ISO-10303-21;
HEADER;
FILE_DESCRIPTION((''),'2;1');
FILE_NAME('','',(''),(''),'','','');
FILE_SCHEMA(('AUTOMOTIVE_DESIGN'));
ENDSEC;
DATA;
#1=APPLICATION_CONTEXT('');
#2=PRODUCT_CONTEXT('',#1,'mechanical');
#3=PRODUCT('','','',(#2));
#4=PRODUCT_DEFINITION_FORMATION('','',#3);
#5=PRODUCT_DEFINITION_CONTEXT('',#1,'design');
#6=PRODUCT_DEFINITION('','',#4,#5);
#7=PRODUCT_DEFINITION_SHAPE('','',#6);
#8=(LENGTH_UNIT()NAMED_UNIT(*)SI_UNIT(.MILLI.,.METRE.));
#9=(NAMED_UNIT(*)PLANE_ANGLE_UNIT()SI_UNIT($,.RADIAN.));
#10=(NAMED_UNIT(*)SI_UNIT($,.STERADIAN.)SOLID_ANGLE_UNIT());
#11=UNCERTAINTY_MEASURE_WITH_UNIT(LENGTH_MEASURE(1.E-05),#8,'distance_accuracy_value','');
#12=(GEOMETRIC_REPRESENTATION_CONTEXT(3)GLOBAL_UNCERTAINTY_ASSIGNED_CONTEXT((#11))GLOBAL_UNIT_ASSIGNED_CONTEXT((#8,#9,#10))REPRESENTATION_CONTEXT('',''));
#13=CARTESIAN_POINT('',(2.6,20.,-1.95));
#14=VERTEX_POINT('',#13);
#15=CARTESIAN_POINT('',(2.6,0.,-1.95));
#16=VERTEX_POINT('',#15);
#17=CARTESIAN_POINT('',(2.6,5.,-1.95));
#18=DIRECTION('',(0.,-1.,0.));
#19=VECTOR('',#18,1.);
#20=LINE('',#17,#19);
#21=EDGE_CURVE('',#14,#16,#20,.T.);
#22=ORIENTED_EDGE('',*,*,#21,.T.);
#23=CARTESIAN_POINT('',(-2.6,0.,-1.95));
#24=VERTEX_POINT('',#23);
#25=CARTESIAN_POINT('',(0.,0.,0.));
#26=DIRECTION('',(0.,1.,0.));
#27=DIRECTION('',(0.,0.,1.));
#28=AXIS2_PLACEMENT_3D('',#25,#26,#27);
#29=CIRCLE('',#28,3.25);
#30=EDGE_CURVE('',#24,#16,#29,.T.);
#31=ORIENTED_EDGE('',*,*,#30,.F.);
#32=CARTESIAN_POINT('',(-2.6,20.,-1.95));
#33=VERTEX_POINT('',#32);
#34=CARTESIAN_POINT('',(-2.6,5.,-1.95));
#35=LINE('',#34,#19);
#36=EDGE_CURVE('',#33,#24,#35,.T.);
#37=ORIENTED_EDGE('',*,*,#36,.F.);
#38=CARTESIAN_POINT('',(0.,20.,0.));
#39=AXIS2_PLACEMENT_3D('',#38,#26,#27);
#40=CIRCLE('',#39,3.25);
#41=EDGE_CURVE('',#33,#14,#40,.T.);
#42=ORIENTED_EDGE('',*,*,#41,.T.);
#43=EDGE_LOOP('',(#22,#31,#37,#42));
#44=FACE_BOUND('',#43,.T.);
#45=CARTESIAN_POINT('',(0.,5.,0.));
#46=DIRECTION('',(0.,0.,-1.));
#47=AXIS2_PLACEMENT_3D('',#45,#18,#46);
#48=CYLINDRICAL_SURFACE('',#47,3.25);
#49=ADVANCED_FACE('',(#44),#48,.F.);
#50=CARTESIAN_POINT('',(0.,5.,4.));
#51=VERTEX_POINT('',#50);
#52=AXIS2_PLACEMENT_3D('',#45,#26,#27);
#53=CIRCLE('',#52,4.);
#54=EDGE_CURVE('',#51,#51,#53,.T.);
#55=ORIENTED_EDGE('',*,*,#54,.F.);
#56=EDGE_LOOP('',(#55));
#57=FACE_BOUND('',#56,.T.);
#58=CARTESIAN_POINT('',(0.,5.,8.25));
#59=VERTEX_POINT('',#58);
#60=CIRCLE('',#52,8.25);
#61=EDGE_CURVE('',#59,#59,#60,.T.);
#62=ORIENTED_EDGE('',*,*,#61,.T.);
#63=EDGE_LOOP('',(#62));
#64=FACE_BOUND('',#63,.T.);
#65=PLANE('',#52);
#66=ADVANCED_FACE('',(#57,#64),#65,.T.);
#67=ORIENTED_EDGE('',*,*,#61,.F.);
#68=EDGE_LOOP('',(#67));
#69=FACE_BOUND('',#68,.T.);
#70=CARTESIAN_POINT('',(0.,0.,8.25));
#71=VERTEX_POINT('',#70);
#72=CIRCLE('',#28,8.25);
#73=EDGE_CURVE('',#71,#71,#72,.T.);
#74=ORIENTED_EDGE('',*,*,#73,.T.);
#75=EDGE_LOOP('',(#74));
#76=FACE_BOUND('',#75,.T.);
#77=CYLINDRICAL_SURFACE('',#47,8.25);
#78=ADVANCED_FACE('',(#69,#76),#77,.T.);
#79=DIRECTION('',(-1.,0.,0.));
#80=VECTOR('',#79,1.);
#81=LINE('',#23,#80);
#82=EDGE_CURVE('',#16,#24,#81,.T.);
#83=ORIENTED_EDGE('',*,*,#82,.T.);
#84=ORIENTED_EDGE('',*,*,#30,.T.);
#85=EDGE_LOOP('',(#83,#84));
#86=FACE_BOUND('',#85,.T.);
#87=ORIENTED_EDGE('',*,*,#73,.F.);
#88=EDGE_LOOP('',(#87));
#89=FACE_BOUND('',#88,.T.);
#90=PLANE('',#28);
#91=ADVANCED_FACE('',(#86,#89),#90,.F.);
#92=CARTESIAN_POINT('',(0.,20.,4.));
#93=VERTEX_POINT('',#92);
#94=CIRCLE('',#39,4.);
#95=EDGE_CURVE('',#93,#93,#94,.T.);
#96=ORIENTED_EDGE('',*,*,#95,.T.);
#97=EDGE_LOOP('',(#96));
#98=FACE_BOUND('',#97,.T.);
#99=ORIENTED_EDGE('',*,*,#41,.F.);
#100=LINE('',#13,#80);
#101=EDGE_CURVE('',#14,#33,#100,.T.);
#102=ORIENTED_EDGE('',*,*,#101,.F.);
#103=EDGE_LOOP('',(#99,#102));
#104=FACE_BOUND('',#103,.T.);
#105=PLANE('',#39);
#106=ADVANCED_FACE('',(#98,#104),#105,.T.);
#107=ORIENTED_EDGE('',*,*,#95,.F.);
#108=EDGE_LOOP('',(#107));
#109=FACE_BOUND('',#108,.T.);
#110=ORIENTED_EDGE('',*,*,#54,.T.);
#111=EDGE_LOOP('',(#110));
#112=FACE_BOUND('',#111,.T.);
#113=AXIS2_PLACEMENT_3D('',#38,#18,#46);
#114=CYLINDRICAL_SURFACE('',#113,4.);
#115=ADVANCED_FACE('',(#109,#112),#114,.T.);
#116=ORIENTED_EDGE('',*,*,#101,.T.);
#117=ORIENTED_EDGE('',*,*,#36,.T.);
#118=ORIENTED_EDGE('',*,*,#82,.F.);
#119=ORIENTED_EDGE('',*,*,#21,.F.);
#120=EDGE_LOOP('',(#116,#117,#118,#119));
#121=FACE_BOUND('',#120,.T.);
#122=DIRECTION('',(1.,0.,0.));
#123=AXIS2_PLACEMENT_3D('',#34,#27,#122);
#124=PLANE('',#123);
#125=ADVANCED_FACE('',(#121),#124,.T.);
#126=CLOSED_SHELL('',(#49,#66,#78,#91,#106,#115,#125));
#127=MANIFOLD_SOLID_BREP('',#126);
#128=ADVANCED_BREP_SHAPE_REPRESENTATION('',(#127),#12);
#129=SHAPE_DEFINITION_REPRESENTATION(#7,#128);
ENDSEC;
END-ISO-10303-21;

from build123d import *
from build123d.topology import SkipClean

# Parameters (mm, degrees)
CROQUIS1_R              = 8.25
SALIENTE_EXTRUIR1_DEPTH = 5
CROQUIS2_R              = 4
SALIENTE_EXTRUIR2_DEPTH = 15


with BuildPart() as part:
    # Croquis1 → Saliente-Extruir1 (new body)
    with BuildSketch(Plane(origin=(0, 0, 0), x_dir=(1, 0, 0), z_dir=(0, 1, 0))):
        with Locations(Location((0, 0, 0), (0, 0, 270))):
            Circle(CROQUIS1_R)
        with BuildLine():
            Line((-2.6, 1.95), (2.6, 1.95))
            ThreePointArc((2.6, 1.95), (0, -3.25), (-2.6, 1.95))
        make_face(mode=Mode.SUBTRACT)
    extrude(amount=SALIENTE_EXTRUIR1_DEPTH)

    # Croquis2 → Saliente-Extruir2 (add)
    with SkipClean():  # the faces are left unmerged after this step: merging them gives an invalid solid
        with BuildSketch(Plane(origin=(0, 5, 0), x_dir=(1, 0, 0), z_dir=(0, 1, 0))):
            with Locations(Location((0, 0, 0), (0, 0, 270))):
                Circle(CROQUIS2_R)
            with BuildLine():
                Line((2.6, 1.95), (-2.6, 1.95))
                ThreePointArc((-2.6, 1.95), (0, -3.25), (2.6, 1.95))
            make_face(mode=Mode.SUBTRACT)
        extrude(amount=SALIENTE_EXTRUIR2_DEPTH)


solid = part.part
